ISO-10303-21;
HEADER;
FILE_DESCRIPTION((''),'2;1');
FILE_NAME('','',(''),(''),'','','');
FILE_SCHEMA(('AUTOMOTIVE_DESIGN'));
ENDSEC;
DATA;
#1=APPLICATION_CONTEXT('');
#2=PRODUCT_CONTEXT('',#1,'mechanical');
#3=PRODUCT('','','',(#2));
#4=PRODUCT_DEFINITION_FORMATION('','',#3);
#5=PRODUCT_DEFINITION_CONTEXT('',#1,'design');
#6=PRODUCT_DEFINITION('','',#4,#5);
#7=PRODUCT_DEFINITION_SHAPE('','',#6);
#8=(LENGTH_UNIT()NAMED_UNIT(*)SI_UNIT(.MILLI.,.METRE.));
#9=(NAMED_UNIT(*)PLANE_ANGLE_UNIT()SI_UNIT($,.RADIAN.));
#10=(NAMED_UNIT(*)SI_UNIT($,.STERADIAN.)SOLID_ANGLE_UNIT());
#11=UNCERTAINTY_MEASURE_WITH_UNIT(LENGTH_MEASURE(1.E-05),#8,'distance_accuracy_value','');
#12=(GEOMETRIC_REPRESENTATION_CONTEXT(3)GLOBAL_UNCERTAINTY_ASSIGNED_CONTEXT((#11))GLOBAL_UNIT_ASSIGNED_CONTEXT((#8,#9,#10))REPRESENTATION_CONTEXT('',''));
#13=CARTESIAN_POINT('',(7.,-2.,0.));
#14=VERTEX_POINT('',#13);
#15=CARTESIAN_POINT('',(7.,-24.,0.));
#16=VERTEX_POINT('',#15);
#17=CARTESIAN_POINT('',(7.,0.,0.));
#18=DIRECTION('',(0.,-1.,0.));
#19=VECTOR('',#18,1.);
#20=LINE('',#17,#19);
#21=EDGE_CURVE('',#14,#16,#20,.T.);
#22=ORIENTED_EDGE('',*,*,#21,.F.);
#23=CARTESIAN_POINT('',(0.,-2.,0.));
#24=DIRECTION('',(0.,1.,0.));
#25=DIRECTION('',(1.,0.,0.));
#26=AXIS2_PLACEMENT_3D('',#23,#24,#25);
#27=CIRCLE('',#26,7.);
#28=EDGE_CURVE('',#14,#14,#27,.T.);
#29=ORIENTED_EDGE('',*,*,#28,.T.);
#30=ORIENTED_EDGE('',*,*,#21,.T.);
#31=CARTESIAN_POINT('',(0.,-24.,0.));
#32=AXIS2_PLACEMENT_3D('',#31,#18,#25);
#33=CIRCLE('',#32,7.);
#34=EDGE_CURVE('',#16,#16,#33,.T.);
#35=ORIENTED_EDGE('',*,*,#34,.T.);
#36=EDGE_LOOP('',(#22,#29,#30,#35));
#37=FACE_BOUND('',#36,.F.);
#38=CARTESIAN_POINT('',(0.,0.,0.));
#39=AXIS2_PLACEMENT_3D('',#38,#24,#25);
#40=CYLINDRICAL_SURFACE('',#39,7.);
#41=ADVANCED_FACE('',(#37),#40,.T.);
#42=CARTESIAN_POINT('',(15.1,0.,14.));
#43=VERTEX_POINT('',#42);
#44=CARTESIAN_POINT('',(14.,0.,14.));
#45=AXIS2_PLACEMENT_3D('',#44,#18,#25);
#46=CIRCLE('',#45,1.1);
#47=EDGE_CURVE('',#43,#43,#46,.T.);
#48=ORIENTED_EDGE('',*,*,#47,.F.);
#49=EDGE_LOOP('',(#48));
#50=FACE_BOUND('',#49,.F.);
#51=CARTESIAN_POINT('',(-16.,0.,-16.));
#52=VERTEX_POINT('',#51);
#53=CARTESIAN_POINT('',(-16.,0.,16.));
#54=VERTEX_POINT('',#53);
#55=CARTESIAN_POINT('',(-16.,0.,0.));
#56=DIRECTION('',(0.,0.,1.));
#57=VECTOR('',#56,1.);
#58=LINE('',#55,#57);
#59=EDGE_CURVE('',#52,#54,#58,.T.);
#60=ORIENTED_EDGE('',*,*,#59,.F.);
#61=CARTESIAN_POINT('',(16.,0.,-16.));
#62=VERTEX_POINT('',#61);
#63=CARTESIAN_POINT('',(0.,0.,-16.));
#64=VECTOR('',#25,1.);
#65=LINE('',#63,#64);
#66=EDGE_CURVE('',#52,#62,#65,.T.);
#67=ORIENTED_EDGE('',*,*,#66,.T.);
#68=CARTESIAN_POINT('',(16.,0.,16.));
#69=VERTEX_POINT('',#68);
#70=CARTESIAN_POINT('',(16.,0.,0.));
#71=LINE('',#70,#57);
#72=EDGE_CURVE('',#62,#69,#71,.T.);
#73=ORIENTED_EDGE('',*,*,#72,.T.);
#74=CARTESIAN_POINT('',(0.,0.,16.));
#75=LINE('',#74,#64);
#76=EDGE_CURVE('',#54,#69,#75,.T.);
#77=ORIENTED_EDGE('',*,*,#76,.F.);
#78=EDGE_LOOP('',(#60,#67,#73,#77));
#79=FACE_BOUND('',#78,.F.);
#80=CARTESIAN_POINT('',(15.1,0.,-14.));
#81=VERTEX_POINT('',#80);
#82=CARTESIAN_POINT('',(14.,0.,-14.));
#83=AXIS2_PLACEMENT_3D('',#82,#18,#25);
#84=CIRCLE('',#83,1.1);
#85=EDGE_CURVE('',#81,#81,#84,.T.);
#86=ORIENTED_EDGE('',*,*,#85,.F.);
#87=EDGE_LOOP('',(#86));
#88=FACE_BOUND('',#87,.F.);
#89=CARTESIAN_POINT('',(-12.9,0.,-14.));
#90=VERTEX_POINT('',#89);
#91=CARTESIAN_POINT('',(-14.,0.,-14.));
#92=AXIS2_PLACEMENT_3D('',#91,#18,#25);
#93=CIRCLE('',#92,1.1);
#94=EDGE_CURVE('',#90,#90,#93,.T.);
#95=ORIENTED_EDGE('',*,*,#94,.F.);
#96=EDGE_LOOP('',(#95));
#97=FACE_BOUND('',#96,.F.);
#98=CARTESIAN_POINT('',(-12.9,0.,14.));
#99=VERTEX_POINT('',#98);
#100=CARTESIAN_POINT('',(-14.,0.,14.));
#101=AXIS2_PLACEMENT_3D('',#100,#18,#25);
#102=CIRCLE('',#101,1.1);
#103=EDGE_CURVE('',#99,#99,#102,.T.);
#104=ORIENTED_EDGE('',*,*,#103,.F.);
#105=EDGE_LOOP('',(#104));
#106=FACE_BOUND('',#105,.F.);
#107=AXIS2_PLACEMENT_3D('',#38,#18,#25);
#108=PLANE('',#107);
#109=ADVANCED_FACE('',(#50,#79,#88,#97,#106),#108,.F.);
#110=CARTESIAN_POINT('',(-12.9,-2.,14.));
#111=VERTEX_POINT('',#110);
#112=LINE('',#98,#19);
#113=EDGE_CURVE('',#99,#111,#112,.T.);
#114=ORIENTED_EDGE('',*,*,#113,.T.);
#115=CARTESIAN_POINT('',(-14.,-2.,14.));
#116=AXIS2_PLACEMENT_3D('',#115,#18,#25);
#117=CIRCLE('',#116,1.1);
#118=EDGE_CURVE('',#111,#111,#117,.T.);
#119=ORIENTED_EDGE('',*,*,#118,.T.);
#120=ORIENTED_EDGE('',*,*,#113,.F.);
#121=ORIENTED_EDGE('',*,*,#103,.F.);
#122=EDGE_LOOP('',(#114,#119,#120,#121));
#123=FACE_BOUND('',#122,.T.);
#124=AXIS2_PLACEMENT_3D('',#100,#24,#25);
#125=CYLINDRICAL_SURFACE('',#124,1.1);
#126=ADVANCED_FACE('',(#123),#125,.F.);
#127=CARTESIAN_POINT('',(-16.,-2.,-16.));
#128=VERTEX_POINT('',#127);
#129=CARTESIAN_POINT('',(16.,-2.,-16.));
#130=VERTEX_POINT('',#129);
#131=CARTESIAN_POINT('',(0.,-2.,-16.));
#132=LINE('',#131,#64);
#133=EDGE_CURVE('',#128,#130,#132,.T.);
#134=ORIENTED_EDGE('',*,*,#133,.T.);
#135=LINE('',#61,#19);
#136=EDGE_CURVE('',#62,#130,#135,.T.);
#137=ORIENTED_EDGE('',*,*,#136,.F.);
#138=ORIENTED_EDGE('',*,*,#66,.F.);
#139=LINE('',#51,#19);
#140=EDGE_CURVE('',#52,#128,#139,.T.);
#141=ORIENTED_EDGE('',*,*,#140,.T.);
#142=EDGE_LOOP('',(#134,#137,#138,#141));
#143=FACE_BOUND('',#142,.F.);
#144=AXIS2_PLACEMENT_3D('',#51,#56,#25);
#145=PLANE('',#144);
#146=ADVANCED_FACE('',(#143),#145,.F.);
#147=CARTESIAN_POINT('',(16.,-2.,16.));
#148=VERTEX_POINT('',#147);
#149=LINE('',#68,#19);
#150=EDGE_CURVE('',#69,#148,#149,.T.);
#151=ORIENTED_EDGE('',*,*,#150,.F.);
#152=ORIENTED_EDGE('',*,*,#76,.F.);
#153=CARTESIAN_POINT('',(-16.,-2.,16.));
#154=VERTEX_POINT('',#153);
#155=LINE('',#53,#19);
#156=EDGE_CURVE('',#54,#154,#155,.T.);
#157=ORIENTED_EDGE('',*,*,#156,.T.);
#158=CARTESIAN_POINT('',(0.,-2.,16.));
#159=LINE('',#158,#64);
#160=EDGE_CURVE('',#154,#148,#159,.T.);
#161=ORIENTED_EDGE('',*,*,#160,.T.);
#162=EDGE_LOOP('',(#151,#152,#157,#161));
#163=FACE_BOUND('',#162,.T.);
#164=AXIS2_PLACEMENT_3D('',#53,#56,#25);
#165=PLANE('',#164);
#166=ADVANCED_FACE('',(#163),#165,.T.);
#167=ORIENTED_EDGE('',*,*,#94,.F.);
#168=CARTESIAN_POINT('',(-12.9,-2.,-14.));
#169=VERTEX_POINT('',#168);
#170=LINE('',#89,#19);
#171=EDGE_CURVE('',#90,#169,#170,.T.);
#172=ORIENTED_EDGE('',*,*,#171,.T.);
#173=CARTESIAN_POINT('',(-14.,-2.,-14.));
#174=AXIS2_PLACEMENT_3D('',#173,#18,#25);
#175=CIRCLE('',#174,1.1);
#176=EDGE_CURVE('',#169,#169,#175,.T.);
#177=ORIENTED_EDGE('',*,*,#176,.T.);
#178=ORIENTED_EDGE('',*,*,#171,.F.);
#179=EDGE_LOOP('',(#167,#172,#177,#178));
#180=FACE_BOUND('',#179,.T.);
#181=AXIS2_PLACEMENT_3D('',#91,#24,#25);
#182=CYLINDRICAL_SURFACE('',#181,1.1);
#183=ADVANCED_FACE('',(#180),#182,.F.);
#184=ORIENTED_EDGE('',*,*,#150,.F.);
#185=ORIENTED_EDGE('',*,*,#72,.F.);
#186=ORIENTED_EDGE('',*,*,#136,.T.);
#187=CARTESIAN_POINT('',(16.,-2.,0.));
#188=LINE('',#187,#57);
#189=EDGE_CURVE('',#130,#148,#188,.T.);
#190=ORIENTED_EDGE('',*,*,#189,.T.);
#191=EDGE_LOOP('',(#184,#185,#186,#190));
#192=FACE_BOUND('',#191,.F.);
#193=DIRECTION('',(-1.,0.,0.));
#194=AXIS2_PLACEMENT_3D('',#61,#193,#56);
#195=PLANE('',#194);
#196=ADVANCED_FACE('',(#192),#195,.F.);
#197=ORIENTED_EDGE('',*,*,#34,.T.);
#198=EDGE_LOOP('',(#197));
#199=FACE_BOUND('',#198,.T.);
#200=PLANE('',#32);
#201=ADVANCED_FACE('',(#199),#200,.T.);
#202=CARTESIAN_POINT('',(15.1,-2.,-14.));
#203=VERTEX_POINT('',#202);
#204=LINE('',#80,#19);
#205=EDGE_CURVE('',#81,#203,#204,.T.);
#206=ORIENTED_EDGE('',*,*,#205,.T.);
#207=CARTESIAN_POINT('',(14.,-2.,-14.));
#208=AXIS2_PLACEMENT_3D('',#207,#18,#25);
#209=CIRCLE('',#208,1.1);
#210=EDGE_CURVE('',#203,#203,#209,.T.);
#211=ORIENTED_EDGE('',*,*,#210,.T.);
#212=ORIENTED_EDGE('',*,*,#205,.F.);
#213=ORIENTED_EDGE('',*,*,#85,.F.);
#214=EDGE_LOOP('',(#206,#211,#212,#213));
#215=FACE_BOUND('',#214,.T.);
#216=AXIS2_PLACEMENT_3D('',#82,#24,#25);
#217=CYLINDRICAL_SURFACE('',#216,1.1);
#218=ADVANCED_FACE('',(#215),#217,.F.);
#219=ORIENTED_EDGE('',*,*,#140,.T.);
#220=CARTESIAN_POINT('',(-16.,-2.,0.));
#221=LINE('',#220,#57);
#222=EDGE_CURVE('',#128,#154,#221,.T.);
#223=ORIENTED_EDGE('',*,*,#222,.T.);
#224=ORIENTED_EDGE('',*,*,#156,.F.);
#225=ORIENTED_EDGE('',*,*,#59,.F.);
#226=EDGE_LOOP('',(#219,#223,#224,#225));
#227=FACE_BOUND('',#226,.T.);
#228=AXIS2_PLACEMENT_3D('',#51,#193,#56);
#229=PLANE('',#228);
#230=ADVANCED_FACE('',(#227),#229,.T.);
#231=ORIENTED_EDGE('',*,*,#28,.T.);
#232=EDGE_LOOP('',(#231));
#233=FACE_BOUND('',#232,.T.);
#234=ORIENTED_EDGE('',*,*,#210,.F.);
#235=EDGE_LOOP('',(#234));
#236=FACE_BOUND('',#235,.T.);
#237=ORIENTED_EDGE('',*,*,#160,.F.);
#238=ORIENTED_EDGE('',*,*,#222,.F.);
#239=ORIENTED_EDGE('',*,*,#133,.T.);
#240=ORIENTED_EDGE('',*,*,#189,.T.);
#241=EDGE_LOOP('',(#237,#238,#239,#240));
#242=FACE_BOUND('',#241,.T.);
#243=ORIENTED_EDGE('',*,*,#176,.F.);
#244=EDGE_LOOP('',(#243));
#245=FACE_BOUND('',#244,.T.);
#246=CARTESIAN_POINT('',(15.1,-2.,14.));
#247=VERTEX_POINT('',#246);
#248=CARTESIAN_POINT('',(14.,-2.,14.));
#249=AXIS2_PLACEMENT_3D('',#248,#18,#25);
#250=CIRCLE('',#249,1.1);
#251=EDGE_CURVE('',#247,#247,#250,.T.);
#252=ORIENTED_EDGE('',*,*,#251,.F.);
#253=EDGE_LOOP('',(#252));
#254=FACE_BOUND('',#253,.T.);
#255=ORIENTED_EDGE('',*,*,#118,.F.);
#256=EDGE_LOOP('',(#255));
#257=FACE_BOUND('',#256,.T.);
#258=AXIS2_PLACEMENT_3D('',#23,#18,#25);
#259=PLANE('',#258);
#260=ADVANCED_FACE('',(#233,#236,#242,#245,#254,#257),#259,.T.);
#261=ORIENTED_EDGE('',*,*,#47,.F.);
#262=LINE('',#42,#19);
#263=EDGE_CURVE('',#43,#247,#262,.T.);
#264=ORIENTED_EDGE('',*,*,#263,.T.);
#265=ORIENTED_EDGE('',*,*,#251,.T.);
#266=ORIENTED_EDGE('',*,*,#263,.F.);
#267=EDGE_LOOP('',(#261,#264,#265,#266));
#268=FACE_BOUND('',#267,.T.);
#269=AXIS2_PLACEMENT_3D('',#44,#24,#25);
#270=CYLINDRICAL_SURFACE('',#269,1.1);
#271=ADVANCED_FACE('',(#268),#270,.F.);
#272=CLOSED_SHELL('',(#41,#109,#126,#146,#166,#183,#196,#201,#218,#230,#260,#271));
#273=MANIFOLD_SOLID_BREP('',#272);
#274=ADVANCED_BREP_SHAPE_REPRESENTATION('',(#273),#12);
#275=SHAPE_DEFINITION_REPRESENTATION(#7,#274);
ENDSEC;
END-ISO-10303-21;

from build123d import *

# Parameters (mm, degrees)
F0_W     = 32
F0_H     = 32
F0_R     = 1.1
F0_R_2   = 7
F1_DEPTH = 2
F2_DEPTH = 24


with BuildPart() as f1:
    # F0 (on Front) → F1 (new body)
    with BuildSketch(Plane.XZ):
        Rectangle(F0_W, F0_H)
        with Locations((-14, -14)):
            Circle(F0_R, mode=Mode.SUBTRACT)
        with Locations((14, -14)):
            Circle(F0_R, mode=Mode.SUBTRACT)
        with Locations((-14, 14)):
            Circle(F0_R, mode=Mode.SUBTRACT)
        Circle(F0_R_2, mode=Mode.SUBTRACT)
        with Locations((14, 14)):
            Circle(F0_R, mode=Mode.SUBTRACT)
        Circle(F0_R_2)
    extrude(amount=F1_DEPTH)

    # F0 (on Front) → F2 (join)
    with BuildSketch(Plane.XZ):
        Circle(F0_R_2)
    extrude(amount=F2_DEPTH)


solid = f1.part
